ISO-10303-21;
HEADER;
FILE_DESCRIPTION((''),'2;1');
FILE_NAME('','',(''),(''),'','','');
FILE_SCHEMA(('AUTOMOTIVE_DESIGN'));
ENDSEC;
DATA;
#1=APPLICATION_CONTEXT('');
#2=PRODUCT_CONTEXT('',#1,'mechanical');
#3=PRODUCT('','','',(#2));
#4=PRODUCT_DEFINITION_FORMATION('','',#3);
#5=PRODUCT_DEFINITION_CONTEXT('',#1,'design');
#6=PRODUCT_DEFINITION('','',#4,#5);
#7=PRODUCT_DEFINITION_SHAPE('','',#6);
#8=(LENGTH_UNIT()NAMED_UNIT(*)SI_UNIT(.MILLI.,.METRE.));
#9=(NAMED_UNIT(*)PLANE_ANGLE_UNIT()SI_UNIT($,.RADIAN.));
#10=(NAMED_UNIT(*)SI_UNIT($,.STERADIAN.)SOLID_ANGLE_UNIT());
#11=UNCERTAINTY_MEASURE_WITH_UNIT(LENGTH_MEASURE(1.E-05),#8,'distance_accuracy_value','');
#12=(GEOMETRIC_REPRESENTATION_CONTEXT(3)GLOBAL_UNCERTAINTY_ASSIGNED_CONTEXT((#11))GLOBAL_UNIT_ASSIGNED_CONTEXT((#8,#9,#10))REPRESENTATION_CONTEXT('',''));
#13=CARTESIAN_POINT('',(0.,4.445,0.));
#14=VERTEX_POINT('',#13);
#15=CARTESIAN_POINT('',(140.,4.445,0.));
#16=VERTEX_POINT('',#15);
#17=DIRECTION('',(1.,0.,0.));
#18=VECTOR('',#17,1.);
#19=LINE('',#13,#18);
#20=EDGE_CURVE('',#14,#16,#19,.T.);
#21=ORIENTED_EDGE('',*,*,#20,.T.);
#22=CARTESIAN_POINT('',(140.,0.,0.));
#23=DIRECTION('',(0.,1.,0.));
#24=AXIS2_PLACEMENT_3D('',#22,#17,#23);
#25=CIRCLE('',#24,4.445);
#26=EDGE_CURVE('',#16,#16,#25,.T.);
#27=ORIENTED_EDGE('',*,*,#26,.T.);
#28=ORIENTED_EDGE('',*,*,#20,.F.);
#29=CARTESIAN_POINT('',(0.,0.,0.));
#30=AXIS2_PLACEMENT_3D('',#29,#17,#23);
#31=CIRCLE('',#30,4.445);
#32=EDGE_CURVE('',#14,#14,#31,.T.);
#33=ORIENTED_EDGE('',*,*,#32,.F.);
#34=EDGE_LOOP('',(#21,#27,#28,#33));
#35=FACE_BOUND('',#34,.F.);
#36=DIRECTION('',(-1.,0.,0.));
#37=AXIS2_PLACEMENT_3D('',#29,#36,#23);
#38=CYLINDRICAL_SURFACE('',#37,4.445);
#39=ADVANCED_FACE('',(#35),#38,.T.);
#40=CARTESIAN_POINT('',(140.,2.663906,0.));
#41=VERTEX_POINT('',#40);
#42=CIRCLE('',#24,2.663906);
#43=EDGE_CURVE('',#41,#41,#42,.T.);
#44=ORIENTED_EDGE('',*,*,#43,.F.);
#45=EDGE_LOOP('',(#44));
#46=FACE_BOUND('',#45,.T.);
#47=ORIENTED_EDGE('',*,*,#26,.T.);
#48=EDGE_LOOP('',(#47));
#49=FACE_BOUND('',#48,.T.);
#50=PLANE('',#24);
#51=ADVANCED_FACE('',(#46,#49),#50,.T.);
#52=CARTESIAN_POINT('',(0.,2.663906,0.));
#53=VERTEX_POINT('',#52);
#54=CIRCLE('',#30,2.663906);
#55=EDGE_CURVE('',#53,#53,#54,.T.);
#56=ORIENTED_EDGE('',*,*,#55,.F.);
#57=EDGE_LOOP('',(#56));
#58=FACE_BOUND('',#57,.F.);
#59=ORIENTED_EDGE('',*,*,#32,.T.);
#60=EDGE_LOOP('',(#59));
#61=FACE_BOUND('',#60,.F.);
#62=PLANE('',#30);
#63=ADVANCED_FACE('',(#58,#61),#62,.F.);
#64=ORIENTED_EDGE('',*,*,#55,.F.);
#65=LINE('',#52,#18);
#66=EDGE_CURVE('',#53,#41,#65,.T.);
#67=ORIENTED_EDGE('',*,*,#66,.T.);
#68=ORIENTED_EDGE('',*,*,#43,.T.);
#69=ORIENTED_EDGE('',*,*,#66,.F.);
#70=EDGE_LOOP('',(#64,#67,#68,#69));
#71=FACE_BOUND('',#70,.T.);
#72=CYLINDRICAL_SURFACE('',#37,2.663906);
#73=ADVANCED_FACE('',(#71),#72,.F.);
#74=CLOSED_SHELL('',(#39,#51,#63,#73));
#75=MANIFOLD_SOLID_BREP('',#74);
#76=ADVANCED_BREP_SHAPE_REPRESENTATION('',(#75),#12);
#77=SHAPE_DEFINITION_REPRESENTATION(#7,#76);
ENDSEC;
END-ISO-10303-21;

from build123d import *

# Parameters (mm, degrees)
F0_R     = 4.445
F0_R_2   = 2.663906
F1_DEPTH = 140


with BuildPart() as f1:
    # F0 (on Right) → F1 (new body)
    with BuildSketch(Plane.YZ):
        Circle(F0_R)
        Circle(F0_R_2, mode=Mode.SUBTRACT)
    extrude(amount=F1_DEPTH)


solid = f1.part
